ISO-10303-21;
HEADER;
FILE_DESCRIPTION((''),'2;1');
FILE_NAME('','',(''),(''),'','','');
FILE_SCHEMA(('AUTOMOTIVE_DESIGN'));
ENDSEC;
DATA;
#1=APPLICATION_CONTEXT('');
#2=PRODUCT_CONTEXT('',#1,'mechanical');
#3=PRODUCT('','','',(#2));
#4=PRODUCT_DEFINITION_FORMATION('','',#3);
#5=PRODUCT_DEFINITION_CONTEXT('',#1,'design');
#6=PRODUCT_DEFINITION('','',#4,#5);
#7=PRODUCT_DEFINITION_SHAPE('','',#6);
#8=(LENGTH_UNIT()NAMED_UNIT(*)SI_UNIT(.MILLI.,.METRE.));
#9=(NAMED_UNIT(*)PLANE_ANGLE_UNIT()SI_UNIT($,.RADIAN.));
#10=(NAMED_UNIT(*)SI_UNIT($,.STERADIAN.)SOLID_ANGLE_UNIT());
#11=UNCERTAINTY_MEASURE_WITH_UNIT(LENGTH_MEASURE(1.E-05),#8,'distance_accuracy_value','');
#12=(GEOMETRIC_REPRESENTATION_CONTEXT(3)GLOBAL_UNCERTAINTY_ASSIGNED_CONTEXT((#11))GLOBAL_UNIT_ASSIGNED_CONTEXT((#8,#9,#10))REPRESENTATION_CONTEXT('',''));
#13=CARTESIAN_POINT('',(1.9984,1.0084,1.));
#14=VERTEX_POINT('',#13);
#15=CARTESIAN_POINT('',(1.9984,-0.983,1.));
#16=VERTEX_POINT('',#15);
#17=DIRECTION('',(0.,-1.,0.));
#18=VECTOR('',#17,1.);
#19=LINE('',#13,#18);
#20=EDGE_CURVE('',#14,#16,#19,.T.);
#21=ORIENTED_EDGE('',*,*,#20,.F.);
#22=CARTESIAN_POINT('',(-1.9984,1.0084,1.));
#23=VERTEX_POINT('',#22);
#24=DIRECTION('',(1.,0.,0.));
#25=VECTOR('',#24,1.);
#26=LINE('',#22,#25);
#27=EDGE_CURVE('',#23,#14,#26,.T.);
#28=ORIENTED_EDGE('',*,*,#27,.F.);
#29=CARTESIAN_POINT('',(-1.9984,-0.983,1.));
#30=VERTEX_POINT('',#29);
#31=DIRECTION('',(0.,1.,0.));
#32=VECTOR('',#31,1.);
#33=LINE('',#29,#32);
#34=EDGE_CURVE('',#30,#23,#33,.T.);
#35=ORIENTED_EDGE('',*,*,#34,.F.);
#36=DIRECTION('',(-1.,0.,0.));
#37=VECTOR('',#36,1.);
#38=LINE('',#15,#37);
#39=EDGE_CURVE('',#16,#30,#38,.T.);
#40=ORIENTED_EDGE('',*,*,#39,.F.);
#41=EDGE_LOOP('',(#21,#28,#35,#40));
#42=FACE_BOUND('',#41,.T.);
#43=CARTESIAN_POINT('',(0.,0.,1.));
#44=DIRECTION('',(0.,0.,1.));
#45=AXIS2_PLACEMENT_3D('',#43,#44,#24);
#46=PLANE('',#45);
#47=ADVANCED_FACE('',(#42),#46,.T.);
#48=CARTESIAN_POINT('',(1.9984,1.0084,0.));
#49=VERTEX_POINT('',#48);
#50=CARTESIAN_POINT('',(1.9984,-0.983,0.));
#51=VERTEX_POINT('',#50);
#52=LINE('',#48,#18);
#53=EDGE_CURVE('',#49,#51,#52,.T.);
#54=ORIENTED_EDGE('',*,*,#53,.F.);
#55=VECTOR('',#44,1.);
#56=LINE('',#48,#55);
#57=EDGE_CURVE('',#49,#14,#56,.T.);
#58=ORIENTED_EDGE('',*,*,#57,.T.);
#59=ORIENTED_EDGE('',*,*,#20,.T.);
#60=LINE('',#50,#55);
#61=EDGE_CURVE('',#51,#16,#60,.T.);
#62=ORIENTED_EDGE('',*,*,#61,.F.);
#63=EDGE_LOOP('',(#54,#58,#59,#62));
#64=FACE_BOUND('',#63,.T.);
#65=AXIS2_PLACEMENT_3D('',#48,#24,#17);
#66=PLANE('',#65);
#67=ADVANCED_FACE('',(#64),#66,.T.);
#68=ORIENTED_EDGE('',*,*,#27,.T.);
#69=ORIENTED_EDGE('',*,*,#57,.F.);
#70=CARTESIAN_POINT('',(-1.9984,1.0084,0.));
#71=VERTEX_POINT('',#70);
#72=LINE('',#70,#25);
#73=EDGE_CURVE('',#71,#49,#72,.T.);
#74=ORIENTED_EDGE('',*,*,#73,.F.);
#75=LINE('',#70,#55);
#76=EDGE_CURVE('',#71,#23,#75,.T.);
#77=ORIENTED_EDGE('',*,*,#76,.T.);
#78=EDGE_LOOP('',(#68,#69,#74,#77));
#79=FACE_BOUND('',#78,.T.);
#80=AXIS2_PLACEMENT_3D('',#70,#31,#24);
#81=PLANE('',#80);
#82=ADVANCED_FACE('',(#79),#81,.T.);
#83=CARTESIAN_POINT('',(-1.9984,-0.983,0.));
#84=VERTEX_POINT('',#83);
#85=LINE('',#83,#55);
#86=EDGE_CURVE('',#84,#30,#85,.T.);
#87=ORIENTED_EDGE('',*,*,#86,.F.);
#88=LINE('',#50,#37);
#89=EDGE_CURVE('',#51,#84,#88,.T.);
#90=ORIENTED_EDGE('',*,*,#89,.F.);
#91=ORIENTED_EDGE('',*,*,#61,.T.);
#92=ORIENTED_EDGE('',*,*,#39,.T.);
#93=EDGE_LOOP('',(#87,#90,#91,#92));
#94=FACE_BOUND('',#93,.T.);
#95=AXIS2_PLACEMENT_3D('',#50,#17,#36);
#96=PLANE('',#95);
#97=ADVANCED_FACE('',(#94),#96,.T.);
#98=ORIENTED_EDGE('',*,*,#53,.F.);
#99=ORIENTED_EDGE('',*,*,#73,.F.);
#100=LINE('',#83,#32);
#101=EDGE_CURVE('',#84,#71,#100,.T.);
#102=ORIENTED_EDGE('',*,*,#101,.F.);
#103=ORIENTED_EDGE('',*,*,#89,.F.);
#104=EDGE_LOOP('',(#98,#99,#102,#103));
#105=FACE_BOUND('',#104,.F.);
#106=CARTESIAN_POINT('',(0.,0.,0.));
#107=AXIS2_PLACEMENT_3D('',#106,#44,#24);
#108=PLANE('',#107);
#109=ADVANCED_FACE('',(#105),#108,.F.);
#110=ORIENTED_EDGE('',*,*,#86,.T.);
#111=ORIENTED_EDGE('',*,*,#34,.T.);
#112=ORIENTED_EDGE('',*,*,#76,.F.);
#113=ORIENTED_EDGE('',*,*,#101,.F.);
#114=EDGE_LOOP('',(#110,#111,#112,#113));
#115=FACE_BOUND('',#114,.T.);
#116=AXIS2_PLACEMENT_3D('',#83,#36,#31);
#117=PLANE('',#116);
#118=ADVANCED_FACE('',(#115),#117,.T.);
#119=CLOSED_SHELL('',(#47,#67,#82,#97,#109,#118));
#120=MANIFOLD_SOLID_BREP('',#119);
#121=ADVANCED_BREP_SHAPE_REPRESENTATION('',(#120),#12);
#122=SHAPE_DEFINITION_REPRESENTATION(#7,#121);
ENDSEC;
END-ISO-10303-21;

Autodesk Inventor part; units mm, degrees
ref_plane "YZ Plane" through (0, 0, 0) normal (1, 0, 0) x (0, 1, 0)
ref_plane "XZ Plane" through (0, 0, 0) normal (0, 1, 0) x (-1, 0, 0)
ref_plane "XY Plane" through (0, 0, 0) normal (0, 0, 1) x (1, 0, 0)
sketch "C0805, 100NF_3" plane through (0, 0, 0) normal (0, 0, 1) x (1, 0, 0)
  line L0 (-1.9984, 1.0084) -> (1.9984, 1.0084)
  line L1 (1.9984, 1.0084) -> (1.9984, -0.983)
  line L2 (1.9984, -0.983) -> (-1.9984, -0.983)
  line L3 (-1.9984, -0.983) -> (-1.9984, 1.0084)
extrude "Extrusion1" add sketch "C0805, 100NF_3" along normal blind 1
properties part number "100NF"
